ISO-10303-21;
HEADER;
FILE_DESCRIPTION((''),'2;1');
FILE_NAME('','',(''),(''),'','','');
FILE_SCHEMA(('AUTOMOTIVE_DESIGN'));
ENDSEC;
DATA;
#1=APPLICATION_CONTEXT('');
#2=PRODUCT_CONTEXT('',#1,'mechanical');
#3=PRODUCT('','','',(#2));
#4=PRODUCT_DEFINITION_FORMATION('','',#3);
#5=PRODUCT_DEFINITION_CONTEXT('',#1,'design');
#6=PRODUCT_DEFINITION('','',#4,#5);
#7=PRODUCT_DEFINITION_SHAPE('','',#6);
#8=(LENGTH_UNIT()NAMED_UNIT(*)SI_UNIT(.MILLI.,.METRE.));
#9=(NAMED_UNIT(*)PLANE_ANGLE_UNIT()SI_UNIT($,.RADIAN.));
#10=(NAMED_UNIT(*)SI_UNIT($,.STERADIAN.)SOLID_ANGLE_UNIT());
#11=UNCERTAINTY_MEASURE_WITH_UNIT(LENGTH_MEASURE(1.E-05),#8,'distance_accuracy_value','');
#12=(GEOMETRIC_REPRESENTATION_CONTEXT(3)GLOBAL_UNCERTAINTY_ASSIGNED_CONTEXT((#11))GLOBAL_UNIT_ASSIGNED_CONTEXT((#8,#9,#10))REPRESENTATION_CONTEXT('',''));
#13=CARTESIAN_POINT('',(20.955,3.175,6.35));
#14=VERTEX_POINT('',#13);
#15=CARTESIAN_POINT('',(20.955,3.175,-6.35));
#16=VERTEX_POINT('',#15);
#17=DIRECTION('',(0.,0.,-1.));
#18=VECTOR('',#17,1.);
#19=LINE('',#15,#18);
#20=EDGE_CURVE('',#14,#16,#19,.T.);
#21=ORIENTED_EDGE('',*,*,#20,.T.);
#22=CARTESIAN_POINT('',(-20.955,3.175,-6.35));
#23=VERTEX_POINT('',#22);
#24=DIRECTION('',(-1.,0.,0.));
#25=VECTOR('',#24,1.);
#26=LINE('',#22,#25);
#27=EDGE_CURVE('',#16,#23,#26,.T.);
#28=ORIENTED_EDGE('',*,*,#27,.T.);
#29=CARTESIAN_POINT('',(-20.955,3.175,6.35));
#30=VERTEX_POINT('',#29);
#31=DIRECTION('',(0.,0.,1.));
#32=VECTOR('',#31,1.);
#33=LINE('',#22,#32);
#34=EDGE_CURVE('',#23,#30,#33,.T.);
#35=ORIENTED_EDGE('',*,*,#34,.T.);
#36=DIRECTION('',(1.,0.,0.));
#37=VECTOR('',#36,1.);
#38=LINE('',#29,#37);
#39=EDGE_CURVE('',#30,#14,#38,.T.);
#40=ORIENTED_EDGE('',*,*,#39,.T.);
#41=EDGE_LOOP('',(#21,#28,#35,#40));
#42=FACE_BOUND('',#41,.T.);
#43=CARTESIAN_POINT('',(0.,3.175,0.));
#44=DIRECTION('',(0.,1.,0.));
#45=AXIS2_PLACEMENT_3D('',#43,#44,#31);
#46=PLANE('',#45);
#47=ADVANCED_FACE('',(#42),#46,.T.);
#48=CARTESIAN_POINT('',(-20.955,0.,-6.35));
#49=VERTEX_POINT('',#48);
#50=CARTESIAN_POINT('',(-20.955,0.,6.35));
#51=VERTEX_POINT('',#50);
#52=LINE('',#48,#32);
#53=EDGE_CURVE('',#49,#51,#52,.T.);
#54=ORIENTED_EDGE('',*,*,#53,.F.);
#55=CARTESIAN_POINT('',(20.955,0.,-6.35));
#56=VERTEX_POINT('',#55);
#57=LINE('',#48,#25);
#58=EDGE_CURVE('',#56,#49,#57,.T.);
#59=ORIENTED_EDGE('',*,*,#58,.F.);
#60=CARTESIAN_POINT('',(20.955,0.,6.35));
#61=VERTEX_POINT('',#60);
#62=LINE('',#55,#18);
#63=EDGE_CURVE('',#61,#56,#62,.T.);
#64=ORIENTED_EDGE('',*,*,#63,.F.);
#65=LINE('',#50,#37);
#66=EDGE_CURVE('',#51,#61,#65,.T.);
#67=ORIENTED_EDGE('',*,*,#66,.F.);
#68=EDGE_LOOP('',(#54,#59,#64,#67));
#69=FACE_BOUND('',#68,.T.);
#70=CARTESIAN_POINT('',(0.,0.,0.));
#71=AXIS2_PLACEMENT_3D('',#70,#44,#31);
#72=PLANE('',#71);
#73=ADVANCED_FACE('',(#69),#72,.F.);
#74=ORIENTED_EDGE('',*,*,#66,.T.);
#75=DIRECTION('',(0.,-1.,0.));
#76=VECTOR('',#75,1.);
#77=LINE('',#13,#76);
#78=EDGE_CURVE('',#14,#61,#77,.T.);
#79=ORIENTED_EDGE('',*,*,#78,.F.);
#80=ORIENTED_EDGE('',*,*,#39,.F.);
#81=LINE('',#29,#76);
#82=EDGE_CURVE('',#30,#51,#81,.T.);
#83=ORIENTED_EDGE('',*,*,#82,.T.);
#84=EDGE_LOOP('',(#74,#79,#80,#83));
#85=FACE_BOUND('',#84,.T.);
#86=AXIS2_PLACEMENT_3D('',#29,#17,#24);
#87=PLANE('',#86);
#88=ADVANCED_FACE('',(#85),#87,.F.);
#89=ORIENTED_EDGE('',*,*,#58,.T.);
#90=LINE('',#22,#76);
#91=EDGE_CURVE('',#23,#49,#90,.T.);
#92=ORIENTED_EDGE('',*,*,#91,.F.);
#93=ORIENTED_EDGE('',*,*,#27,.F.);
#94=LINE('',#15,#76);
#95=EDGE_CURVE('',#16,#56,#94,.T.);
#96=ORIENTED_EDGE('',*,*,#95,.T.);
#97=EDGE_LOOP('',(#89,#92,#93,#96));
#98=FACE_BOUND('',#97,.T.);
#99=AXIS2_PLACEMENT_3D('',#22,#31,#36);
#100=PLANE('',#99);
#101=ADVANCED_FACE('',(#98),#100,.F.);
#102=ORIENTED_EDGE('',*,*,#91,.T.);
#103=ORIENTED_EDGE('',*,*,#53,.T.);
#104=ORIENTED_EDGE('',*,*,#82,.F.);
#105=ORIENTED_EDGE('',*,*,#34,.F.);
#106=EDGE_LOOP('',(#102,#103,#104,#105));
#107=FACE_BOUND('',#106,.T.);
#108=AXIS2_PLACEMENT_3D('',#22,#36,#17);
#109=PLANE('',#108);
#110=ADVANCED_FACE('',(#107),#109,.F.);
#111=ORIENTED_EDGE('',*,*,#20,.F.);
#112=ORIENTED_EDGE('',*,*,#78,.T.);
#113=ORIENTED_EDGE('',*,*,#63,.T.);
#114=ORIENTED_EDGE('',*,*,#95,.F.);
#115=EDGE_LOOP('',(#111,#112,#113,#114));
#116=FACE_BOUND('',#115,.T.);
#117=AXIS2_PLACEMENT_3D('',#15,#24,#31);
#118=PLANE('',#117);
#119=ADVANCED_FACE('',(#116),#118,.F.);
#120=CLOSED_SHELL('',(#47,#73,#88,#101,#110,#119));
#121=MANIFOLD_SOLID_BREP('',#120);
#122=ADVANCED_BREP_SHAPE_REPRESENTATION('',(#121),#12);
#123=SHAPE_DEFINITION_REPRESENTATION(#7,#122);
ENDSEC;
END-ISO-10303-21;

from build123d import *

# Parameters (mm, degrees)
SKETCH1_W           = 41.91
SKETCH1_H           = 12.7
BOSS_EXTRUDE1_DEPTH = 3.175


with BuildPart() as part:
    # Sketch1 → Boss-Extrude1 (new body)
    with BuildSketch(Plane(origin=(0, 0, 0), x_dir=(1, 0, 0), z_dir=(0, 1, 0))):
        Rectangle(SKETCH1_W, SKETCH1_H)
    extrude(amount=BOSS_EXTRUDE1_DEPTH)


solid = part.part
